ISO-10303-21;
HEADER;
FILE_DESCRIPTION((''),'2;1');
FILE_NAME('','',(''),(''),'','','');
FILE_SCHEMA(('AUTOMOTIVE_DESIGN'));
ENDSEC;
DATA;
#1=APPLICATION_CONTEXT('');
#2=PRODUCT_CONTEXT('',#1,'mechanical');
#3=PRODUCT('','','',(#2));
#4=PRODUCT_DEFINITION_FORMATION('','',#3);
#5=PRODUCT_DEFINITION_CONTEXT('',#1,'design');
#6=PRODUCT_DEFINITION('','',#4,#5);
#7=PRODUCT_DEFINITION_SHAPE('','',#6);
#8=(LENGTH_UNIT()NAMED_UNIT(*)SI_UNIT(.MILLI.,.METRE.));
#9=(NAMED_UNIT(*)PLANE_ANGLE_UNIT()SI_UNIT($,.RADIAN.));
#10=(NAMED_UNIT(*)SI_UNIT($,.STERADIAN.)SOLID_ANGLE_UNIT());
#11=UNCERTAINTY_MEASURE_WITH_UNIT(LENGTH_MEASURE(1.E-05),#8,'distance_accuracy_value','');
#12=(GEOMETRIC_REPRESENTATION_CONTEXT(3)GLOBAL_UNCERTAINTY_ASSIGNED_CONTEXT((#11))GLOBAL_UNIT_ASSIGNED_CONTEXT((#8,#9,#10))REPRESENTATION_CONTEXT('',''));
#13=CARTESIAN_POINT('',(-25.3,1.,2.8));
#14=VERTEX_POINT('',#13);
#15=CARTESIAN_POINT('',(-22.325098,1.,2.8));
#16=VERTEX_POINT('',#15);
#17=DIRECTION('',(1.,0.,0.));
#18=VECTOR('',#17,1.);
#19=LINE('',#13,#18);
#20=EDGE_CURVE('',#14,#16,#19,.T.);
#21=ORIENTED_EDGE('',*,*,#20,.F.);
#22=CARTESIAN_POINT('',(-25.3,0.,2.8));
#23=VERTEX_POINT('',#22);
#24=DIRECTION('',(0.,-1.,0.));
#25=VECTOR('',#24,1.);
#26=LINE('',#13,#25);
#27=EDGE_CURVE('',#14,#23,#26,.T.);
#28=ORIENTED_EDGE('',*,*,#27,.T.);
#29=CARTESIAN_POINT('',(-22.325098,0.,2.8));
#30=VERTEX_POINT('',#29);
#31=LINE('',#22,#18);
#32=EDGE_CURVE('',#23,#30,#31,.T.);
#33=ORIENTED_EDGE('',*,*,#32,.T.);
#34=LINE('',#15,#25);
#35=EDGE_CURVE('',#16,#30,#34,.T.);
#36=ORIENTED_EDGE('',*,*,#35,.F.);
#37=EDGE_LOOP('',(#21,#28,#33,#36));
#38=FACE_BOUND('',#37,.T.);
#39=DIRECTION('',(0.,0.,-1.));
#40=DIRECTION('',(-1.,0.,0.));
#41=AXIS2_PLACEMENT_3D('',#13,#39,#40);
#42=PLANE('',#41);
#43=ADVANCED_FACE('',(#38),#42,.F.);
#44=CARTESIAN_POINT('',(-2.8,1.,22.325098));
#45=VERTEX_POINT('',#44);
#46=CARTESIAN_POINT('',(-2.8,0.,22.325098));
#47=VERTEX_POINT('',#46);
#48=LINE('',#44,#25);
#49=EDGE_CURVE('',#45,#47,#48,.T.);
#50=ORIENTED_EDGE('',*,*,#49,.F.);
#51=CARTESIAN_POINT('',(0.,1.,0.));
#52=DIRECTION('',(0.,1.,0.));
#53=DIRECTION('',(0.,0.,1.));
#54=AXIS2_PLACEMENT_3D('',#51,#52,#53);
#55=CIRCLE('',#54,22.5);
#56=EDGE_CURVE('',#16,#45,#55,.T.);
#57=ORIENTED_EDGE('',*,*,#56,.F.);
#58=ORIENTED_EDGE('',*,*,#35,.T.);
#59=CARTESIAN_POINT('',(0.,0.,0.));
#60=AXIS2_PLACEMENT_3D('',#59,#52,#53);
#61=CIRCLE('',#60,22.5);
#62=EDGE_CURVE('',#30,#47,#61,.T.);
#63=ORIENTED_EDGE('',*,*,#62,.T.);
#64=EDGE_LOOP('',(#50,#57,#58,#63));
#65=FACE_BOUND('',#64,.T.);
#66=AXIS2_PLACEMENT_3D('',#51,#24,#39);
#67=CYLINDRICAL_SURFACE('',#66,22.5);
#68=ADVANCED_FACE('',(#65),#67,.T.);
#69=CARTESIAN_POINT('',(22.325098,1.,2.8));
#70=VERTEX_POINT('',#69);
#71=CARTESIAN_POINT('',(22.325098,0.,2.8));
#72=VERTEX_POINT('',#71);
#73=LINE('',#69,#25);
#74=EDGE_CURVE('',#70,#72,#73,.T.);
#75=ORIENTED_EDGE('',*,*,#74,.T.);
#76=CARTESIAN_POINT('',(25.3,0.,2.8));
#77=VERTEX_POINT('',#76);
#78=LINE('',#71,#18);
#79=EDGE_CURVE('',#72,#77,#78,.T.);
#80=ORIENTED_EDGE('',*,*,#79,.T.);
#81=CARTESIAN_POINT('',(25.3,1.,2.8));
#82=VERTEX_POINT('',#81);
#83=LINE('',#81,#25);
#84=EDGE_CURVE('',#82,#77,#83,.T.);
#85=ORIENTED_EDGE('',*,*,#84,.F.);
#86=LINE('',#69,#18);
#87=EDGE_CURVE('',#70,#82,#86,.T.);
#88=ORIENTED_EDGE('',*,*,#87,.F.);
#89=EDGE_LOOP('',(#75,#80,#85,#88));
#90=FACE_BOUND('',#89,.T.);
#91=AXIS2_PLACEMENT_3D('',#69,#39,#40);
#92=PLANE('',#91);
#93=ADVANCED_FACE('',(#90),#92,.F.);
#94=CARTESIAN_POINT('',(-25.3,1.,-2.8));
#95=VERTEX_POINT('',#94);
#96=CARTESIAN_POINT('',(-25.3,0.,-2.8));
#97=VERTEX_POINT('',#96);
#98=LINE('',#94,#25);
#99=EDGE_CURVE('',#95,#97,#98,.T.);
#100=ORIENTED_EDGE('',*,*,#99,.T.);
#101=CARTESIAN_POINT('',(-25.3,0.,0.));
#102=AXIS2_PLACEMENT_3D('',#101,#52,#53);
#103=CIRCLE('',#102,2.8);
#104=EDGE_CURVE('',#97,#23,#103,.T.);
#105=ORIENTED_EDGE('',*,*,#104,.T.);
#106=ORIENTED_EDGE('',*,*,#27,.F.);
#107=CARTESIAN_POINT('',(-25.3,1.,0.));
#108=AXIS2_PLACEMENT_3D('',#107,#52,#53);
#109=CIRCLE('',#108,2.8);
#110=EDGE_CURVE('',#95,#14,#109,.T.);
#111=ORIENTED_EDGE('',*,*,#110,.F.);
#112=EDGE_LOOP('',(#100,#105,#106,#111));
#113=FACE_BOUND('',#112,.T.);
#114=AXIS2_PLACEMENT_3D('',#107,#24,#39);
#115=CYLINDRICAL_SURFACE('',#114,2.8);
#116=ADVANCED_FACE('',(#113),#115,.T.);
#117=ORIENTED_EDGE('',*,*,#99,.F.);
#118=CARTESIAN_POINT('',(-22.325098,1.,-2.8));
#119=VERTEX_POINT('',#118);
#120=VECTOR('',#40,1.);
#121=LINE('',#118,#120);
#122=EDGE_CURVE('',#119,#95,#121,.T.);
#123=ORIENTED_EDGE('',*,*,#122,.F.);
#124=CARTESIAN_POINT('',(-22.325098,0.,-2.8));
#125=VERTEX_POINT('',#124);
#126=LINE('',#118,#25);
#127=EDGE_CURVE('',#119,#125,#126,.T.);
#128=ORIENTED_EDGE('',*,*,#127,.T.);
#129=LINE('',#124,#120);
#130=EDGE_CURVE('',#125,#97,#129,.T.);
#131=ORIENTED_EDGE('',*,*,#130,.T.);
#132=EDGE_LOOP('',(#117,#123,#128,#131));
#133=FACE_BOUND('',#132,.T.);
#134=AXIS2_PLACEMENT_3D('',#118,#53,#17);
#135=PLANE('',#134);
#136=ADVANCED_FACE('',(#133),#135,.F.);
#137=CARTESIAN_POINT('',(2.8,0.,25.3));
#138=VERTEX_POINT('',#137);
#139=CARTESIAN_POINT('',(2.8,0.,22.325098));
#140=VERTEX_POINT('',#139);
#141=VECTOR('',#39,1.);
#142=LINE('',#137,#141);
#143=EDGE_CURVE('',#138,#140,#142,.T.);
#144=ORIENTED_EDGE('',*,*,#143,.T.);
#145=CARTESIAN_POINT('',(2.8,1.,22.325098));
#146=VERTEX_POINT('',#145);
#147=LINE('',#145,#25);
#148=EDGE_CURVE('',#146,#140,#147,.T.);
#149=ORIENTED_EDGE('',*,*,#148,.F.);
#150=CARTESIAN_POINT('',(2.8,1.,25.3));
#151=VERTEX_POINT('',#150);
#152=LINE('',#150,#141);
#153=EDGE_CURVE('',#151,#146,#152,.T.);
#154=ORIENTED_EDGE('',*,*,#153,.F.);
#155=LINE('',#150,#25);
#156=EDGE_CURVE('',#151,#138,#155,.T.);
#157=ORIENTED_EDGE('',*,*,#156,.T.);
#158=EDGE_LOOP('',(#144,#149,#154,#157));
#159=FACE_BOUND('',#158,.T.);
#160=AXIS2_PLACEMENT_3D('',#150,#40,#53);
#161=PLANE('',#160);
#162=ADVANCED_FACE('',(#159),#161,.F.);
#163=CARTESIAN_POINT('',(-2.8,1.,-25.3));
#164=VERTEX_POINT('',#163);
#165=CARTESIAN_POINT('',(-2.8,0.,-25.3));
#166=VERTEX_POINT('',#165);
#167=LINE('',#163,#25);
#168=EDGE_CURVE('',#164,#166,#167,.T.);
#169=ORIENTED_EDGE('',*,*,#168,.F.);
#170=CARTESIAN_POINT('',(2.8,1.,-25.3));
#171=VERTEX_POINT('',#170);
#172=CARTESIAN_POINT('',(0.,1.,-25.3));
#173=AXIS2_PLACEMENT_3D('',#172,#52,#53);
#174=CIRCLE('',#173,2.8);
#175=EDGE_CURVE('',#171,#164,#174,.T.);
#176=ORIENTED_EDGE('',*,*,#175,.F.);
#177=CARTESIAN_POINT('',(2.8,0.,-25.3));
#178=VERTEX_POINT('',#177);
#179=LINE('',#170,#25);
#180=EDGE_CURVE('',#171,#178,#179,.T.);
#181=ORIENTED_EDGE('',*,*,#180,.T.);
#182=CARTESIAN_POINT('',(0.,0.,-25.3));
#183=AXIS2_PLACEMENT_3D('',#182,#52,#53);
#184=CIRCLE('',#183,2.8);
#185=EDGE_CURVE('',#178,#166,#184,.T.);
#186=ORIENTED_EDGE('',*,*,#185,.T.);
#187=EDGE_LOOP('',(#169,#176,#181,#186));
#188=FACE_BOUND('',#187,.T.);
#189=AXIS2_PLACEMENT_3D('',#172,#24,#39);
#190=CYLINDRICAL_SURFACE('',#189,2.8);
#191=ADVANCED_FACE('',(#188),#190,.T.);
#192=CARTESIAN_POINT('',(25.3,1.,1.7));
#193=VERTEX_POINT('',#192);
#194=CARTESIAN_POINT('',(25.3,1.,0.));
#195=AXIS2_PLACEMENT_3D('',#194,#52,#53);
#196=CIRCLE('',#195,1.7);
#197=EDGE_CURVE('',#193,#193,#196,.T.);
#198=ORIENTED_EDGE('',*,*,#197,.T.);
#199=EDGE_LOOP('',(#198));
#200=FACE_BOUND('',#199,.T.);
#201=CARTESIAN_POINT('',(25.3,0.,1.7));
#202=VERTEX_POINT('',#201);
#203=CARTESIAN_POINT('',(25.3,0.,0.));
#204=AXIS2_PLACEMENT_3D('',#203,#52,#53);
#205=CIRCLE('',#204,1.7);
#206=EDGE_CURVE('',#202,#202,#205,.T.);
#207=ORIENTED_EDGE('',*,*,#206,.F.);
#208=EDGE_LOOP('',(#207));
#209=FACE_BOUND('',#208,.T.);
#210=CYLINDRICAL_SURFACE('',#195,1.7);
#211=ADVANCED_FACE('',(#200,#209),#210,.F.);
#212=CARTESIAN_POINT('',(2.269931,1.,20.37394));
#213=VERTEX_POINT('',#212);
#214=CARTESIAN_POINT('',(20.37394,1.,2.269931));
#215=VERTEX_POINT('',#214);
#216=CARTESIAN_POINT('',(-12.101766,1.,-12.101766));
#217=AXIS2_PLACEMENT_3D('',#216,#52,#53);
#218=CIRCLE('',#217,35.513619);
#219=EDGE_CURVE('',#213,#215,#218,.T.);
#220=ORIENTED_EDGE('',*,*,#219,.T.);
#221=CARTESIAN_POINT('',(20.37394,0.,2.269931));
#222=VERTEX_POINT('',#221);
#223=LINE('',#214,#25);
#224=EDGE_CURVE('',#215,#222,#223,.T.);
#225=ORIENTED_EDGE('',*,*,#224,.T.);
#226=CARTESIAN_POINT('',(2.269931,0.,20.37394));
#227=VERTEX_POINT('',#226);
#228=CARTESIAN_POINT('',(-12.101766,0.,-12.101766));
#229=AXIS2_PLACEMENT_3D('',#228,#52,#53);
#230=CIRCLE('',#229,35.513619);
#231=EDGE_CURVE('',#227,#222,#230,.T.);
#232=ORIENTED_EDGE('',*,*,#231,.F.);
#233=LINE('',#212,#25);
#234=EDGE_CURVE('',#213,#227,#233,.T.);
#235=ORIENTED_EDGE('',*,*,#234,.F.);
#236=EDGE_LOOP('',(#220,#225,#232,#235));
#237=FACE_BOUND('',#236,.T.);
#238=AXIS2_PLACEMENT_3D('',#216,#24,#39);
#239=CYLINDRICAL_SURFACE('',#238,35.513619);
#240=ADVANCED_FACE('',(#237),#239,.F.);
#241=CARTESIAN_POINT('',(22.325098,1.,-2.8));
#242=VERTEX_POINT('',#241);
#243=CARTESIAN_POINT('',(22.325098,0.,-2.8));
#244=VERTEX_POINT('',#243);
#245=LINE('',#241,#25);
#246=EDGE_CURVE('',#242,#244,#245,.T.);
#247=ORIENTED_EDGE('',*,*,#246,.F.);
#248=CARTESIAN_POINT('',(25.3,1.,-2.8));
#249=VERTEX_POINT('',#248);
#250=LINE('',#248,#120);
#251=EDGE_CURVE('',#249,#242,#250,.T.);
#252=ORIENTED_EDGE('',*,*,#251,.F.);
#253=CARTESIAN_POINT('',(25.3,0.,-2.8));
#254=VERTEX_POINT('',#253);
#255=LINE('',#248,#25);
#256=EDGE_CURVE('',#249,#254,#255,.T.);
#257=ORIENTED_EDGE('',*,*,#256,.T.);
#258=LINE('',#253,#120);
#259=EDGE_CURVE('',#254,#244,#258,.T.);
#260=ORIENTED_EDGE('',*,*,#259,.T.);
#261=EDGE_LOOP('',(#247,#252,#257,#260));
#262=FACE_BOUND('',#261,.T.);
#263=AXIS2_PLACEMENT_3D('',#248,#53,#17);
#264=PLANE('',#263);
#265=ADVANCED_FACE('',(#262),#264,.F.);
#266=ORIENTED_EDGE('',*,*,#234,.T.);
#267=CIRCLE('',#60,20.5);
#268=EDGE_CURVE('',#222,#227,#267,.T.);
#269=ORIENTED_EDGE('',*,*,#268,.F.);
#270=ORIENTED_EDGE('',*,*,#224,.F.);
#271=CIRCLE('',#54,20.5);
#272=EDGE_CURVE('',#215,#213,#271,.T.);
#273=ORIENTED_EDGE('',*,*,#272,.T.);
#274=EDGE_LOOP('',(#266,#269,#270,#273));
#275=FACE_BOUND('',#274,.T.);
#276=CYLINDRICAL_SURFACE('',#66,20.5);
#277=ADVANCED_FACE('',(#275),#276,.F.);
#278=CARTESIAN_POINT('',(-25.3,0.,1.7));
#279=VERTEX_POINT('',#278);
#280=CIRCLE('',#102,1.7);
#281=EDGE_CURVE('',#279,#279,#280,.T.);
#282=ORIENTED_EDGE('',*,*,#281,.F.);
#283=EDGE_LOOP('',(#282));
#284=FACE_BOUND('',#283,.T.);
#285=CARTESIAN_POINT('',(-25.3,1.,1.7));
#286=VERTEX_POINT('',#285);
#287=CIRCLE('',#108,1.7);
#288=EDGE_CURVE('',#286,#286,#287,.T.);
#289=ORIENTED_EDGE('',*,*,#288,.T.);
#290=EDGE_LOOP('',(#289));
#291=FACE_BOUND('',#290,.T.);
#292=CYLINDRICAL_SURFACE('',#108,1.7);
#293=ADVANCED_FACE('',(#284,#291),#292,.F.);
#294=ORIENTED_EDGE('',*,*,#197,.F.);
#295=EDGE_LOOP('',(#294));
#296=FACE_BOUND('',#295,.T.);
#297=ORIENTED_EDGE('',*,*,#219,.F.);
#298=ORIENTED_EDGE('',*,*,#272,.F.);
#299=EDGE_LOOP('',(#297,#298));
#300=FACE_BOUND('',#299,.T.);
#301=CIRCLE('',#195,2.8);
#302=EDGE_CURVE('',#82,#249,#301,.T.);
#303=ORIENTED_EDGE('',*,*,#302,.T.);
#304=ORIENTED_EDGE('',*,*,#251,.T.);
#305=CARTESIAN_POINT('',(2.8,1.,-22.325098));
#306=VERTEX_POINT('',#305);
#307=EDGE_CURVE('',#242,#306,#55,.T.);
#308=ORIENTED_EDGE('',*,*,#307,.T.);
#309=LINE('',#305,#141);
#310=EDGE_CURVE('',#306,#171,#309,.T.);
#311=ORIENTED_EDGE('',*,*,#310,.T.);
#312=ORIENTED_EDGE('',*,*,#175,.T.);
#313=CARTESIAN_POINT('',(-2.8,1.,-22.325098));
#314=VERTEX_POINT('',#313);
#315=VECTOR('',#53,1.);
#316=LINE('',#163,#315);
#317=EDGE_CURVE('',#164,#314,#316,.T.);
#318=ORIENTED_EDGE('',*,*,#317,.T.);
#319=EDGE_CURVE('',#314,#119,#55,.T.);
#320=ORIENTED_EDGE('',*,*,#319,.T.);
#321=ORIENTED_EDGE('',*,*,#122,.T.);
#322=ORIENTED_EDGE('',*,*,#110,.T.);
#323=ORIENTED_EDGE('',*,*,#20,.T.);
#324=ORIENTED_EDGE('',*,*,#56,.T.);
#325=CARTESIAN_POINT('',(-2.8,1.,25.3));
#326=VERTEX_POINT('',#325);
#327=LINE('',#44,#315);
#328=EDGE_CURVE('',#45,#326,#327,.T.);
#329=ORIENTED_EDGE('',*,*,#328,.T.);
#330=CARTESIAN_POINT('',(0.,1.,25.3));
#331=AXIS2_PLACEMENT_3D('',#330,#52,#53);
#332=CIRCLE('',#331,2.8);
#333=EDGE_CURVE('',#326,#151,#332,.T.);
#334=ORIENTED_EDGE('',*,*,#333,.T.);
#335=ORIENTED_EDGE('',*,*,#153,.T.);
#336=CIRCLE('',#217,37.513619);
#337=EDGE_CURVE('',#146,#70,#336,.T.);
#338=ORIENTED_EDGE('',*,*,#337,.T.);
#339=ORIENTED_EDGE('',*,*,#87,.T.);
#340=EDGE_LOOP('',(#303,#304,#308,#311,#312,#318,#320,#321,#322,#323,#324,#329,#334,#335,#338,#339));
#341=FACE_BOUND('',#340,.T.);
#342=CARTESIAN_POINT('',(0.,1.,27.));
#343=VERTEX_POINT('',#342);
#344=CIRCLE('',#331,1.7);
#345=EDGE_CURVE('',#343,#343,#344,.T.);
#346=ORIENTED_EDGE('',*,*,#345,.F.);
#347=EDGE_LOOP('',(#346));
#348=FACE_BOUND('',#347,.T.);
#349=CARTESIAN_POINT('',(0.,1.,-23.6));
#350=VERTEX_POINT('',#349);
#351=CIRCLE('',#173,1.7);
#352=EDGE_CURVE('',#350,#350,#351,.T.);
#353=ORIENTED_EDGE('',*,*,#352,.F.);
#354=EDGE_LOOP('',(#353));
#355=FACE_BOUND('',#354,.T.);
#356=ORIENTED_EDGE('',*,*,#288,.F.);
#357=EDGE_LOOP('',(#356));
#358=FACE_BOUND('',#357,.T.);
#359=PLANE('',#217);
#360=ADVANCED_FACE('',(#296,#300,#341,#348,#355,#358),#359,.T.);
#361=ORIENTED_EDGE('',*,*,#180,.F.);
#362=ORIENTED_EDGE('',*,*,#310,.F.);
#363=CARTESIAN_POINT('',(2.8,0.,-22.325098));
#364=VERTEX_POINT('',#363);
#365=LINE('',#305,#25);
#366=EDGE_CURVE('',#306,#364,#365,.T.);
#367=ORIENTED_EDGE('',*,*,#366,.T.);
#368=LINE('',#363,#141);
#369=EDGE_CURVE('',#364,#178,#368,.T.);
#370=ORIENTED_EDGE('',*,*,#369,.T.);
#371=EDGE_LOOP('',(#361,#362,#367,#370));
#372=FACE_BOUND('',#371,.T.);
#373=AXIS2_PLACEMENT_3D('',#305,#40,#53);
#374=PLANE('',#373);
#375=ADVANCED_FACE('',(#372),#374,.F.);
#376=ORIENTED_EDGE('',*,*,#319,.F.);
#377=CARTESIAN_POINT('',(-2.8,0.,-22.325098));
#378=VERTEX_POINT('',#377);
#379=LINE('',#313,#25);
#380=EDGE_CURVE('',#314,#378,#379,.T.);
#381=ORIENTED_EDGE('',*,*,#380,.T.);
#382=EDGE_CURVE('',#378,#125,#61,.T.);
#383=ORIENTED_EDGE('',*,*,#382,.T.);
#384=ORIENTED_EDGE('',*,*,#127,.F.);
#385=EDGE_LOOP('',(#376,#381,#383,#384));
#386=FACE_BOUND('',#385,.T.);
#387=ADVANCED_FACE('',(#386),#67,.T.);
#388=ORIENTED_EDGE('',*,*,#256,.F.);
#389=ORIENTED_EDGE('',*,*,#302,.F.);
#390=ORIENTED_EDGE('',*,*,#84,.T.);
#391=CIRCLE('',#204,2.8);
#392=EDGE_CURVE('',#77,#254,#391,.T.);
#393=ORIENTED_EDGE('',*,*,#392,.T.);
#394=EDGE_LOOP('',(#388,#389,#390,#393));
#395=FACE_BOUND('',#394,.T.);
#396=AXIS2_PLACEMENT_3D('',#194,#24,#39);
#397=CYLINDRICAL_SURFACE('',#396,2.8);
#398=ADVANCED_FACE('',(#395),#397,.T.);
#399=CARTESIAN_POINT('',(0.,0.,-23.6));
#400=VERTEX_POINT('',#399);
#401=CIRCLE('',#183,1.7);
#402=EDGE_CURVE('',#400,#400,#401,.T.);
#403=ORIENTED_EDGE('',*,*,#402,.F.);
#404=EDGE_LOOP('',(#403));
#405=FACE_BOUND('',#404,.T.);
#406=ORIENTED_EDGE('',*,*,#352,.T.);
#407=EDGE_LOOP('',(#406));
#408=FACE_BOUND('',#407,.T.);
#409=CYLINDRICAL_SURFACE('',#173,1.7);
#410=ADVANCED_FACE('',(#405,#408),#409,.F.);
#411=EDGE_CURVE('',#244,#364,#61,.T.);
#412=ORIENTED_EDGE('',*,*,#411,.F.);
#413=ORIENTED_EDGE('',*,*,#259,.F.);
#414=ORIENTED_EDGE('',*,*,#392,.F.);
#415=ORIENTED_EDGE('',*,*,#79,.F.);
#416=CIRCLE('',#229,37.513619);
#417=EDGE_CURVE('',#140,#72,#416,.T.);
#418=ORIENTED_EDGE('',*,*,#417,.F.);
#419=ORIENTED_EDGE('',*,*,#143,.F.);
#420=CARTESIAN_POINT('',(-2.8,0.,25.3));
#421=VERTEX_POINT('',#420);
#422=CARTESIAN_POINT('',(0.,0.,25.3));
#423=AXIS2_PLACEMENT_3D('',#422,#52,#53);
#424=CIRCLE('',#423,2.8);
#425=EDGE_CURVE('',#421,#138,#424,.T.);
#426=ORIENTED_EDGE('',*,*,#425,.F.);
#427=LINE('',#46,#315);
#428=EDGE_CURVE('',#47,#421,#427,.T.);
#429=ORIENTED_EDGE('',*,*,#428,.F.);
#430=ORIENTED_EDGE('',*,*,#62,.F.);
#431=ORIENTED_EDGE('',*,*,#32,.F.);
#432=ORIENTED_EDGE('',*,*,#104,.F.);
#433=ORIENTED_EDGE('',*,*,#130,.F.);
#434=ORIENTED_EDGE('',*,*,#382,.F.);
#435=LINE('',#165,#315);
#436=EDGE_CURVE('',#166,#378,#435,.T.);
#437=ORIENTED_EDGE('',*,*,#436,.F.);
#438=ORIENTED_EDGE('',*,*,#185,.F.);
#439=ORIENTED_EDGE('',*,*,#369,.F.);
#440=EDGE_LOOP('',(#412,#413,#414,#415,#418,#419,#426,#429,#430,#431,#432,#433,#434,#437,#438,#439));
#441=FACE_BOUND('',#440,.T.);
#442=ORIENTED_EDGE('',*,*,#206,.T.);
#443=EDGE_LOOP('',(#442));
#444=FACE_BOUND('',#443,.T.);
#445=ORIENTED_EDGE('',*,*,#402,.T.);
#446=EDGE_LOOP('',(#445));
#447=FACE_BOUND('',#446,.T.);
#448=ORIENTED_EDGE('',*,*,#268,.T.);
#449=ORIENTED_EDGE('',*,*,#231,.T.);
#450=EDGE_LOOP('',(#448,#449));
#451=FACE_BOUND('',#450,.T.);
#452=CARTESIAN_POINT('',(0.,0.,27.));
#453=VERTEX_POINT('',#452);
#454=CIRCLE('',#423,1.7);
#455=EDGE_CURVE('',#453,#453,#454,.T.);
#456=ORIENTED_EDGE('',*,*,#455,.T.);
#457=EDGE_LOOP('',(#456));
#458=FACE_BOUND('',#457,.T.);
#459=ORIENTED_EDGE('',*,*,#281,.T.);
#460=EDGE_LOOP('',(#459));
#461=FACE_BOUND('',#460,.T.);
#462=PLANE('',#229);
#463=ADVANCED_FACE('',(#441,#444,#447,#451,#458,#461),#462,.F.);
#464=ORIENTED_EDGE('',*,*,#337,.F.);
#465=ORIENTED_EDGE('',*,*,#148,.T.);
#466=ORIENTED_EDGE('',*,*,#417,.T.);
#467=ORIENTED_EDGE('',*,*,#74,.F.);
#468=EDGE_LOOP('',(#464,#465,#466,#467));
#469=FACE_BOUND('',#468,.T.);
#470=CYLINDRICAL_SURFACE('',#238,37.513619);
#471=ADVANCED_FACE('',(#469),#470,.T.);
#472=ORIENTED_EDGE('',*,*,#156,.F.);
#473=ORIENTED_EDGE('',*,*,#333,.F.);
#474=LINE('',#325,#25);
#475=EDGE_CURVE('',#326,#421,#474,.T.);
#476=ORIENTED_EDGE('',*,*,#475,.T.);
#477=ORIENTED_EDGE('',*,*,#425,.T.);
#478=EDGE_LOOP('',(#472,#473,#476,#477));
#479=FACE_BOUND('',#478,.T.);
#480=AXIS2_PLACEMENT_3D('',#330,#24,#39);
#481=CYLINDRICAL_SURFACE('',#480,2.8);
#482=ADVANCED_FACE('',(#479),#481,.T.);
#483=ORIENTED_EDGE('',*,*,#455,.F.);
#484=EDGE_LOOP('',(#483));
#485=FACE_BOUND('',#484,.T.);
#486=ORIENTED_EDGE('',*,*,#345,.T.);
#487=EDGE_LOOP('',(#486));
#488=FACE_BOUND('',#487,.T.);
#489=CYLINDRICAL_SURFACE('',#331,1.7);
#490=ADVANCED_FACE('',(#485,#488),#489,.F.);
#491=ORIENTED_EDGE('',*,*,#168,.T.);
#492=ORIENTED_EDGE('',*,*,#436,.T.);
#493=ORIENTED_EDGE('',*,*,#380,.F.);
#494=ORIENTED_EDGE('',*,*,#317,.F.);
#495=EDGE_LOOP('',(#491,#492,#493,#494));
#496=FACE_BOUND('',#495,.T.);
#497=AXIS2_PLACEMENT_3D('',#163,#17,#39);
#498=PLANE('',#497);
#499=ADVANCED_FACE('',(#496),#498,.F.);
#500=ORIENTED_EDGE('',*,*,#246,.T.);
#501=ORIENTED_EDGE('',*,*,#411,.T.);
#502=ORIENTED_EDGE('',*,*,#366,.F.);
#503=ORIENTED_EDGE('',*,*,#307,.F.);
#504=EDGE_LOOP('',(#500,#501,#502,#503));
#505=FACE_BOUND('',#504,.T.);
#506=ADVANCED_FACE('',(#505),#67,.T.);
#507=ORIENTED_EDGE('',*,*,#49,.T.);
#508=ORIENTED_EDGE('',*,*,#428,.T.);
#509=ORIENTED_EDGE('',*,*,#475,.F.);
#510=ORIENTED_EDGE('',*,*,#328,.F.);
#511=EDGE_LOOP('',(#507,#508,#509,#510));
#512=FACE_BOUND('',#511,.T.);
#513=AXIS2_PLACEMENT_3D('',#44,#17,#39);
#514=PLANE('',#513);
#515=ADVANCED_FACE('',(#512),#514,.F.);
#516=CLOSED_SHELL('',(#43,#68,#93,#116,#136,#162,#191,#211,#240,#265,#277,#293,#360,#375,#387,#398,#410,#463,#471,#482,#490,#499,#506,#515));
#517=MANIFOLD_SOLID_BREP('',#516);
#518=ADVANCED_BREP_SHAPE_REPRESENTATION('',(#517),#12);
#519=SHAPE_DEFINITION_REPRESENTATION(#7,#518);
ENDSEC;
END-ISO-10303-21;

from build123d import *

# Parameters (mm, degrees)
EXTRUDE_1_DEPTH   = 1
HOLE_WIZARD_M31_D = 3.4


with BuildPart() as part:
    # Эскиз1 → Бобышка-Вытянуть1 (new body)
    with BuildSketch(Plane(origin=(0, 0, 0), x_dir=(1, 0, 0), z_dir=(0, 1, 0))):
        with BuildLine():
            Line((22.325097984, -2.8), (25.3, -2.8))
            ThreePointArc((25.3, -2.8), (28.1, 0), (25.3, 2.8))
            Line((25.3, 2.8), (22.325097984, 2.8))
            ThreePointArc((22.325097984, 2.8), (15.909902577, 15.909902577), (2.8, 22.325097984))
            Line((2.8, 22.325097984), (2.8, 25.3))
            ThreePointArc((2.8, 25.3), (0, 28.1), (-2.8, 25.3))
            Line((-2.8, 25.3), (-2.8, 22.325097984))
            ThreePointArc((-2.8, 22.325097984), (-15.909902577, 15.909902577), (-22.325097984, 2.8))
            Line((-22.325097984, 2.8), (-25.3, 2.8))
            ThreePointArc((-25.3, 2.8), (-28.1, 0), (-25.3, -2.8))
            Line((-25.3, -2.8), (-22.325097984, -2.8))
            ThreePointArc((-22.325097984, -2.8), (-15.909902577, -15.909902577), (-2.8, -22.325097984))
            Line((-2.8, -22.325097984), (-2.8, -25.3))
            ThreePointArc((-2.8, -25.3), (0, -28.1), (2.8, -25.3))
            Line((2.8, -25.3), (2.8, -22.325097984))
            ThreePointArc((2.8, -22.325097984), (14.4243682, -14.4243682), (22.325097984, -2.8))
        make_face()
        with BuildLine():
            ThreePointArc((20.373939602, -2.269930633), (-14.495689014, 14.495689014), (2.269930633, -20.373939602))
            ThreePointArc((2.269930633, -20.373939602), (13.010154638, -13.010154638), (20.373939602, -2.269930633))
        make_face(mode=Mode.SUBTRACT)
    extrude(amount=EXTRUDE_1_DEPTH)

    # Отверстие с зазором M31 (through all)
    with Locations(Plane(origin=(0, 1, 0), x_dir=(1, 0, 0), z_dir=(0, 1, 0))):
        with Locations((-25.3, 0), (0, 25.3), (25.3, 0), (0, -25.3)):
            Hole(HOLE_WIZARD_M31_D / 2)


solid = part.part
